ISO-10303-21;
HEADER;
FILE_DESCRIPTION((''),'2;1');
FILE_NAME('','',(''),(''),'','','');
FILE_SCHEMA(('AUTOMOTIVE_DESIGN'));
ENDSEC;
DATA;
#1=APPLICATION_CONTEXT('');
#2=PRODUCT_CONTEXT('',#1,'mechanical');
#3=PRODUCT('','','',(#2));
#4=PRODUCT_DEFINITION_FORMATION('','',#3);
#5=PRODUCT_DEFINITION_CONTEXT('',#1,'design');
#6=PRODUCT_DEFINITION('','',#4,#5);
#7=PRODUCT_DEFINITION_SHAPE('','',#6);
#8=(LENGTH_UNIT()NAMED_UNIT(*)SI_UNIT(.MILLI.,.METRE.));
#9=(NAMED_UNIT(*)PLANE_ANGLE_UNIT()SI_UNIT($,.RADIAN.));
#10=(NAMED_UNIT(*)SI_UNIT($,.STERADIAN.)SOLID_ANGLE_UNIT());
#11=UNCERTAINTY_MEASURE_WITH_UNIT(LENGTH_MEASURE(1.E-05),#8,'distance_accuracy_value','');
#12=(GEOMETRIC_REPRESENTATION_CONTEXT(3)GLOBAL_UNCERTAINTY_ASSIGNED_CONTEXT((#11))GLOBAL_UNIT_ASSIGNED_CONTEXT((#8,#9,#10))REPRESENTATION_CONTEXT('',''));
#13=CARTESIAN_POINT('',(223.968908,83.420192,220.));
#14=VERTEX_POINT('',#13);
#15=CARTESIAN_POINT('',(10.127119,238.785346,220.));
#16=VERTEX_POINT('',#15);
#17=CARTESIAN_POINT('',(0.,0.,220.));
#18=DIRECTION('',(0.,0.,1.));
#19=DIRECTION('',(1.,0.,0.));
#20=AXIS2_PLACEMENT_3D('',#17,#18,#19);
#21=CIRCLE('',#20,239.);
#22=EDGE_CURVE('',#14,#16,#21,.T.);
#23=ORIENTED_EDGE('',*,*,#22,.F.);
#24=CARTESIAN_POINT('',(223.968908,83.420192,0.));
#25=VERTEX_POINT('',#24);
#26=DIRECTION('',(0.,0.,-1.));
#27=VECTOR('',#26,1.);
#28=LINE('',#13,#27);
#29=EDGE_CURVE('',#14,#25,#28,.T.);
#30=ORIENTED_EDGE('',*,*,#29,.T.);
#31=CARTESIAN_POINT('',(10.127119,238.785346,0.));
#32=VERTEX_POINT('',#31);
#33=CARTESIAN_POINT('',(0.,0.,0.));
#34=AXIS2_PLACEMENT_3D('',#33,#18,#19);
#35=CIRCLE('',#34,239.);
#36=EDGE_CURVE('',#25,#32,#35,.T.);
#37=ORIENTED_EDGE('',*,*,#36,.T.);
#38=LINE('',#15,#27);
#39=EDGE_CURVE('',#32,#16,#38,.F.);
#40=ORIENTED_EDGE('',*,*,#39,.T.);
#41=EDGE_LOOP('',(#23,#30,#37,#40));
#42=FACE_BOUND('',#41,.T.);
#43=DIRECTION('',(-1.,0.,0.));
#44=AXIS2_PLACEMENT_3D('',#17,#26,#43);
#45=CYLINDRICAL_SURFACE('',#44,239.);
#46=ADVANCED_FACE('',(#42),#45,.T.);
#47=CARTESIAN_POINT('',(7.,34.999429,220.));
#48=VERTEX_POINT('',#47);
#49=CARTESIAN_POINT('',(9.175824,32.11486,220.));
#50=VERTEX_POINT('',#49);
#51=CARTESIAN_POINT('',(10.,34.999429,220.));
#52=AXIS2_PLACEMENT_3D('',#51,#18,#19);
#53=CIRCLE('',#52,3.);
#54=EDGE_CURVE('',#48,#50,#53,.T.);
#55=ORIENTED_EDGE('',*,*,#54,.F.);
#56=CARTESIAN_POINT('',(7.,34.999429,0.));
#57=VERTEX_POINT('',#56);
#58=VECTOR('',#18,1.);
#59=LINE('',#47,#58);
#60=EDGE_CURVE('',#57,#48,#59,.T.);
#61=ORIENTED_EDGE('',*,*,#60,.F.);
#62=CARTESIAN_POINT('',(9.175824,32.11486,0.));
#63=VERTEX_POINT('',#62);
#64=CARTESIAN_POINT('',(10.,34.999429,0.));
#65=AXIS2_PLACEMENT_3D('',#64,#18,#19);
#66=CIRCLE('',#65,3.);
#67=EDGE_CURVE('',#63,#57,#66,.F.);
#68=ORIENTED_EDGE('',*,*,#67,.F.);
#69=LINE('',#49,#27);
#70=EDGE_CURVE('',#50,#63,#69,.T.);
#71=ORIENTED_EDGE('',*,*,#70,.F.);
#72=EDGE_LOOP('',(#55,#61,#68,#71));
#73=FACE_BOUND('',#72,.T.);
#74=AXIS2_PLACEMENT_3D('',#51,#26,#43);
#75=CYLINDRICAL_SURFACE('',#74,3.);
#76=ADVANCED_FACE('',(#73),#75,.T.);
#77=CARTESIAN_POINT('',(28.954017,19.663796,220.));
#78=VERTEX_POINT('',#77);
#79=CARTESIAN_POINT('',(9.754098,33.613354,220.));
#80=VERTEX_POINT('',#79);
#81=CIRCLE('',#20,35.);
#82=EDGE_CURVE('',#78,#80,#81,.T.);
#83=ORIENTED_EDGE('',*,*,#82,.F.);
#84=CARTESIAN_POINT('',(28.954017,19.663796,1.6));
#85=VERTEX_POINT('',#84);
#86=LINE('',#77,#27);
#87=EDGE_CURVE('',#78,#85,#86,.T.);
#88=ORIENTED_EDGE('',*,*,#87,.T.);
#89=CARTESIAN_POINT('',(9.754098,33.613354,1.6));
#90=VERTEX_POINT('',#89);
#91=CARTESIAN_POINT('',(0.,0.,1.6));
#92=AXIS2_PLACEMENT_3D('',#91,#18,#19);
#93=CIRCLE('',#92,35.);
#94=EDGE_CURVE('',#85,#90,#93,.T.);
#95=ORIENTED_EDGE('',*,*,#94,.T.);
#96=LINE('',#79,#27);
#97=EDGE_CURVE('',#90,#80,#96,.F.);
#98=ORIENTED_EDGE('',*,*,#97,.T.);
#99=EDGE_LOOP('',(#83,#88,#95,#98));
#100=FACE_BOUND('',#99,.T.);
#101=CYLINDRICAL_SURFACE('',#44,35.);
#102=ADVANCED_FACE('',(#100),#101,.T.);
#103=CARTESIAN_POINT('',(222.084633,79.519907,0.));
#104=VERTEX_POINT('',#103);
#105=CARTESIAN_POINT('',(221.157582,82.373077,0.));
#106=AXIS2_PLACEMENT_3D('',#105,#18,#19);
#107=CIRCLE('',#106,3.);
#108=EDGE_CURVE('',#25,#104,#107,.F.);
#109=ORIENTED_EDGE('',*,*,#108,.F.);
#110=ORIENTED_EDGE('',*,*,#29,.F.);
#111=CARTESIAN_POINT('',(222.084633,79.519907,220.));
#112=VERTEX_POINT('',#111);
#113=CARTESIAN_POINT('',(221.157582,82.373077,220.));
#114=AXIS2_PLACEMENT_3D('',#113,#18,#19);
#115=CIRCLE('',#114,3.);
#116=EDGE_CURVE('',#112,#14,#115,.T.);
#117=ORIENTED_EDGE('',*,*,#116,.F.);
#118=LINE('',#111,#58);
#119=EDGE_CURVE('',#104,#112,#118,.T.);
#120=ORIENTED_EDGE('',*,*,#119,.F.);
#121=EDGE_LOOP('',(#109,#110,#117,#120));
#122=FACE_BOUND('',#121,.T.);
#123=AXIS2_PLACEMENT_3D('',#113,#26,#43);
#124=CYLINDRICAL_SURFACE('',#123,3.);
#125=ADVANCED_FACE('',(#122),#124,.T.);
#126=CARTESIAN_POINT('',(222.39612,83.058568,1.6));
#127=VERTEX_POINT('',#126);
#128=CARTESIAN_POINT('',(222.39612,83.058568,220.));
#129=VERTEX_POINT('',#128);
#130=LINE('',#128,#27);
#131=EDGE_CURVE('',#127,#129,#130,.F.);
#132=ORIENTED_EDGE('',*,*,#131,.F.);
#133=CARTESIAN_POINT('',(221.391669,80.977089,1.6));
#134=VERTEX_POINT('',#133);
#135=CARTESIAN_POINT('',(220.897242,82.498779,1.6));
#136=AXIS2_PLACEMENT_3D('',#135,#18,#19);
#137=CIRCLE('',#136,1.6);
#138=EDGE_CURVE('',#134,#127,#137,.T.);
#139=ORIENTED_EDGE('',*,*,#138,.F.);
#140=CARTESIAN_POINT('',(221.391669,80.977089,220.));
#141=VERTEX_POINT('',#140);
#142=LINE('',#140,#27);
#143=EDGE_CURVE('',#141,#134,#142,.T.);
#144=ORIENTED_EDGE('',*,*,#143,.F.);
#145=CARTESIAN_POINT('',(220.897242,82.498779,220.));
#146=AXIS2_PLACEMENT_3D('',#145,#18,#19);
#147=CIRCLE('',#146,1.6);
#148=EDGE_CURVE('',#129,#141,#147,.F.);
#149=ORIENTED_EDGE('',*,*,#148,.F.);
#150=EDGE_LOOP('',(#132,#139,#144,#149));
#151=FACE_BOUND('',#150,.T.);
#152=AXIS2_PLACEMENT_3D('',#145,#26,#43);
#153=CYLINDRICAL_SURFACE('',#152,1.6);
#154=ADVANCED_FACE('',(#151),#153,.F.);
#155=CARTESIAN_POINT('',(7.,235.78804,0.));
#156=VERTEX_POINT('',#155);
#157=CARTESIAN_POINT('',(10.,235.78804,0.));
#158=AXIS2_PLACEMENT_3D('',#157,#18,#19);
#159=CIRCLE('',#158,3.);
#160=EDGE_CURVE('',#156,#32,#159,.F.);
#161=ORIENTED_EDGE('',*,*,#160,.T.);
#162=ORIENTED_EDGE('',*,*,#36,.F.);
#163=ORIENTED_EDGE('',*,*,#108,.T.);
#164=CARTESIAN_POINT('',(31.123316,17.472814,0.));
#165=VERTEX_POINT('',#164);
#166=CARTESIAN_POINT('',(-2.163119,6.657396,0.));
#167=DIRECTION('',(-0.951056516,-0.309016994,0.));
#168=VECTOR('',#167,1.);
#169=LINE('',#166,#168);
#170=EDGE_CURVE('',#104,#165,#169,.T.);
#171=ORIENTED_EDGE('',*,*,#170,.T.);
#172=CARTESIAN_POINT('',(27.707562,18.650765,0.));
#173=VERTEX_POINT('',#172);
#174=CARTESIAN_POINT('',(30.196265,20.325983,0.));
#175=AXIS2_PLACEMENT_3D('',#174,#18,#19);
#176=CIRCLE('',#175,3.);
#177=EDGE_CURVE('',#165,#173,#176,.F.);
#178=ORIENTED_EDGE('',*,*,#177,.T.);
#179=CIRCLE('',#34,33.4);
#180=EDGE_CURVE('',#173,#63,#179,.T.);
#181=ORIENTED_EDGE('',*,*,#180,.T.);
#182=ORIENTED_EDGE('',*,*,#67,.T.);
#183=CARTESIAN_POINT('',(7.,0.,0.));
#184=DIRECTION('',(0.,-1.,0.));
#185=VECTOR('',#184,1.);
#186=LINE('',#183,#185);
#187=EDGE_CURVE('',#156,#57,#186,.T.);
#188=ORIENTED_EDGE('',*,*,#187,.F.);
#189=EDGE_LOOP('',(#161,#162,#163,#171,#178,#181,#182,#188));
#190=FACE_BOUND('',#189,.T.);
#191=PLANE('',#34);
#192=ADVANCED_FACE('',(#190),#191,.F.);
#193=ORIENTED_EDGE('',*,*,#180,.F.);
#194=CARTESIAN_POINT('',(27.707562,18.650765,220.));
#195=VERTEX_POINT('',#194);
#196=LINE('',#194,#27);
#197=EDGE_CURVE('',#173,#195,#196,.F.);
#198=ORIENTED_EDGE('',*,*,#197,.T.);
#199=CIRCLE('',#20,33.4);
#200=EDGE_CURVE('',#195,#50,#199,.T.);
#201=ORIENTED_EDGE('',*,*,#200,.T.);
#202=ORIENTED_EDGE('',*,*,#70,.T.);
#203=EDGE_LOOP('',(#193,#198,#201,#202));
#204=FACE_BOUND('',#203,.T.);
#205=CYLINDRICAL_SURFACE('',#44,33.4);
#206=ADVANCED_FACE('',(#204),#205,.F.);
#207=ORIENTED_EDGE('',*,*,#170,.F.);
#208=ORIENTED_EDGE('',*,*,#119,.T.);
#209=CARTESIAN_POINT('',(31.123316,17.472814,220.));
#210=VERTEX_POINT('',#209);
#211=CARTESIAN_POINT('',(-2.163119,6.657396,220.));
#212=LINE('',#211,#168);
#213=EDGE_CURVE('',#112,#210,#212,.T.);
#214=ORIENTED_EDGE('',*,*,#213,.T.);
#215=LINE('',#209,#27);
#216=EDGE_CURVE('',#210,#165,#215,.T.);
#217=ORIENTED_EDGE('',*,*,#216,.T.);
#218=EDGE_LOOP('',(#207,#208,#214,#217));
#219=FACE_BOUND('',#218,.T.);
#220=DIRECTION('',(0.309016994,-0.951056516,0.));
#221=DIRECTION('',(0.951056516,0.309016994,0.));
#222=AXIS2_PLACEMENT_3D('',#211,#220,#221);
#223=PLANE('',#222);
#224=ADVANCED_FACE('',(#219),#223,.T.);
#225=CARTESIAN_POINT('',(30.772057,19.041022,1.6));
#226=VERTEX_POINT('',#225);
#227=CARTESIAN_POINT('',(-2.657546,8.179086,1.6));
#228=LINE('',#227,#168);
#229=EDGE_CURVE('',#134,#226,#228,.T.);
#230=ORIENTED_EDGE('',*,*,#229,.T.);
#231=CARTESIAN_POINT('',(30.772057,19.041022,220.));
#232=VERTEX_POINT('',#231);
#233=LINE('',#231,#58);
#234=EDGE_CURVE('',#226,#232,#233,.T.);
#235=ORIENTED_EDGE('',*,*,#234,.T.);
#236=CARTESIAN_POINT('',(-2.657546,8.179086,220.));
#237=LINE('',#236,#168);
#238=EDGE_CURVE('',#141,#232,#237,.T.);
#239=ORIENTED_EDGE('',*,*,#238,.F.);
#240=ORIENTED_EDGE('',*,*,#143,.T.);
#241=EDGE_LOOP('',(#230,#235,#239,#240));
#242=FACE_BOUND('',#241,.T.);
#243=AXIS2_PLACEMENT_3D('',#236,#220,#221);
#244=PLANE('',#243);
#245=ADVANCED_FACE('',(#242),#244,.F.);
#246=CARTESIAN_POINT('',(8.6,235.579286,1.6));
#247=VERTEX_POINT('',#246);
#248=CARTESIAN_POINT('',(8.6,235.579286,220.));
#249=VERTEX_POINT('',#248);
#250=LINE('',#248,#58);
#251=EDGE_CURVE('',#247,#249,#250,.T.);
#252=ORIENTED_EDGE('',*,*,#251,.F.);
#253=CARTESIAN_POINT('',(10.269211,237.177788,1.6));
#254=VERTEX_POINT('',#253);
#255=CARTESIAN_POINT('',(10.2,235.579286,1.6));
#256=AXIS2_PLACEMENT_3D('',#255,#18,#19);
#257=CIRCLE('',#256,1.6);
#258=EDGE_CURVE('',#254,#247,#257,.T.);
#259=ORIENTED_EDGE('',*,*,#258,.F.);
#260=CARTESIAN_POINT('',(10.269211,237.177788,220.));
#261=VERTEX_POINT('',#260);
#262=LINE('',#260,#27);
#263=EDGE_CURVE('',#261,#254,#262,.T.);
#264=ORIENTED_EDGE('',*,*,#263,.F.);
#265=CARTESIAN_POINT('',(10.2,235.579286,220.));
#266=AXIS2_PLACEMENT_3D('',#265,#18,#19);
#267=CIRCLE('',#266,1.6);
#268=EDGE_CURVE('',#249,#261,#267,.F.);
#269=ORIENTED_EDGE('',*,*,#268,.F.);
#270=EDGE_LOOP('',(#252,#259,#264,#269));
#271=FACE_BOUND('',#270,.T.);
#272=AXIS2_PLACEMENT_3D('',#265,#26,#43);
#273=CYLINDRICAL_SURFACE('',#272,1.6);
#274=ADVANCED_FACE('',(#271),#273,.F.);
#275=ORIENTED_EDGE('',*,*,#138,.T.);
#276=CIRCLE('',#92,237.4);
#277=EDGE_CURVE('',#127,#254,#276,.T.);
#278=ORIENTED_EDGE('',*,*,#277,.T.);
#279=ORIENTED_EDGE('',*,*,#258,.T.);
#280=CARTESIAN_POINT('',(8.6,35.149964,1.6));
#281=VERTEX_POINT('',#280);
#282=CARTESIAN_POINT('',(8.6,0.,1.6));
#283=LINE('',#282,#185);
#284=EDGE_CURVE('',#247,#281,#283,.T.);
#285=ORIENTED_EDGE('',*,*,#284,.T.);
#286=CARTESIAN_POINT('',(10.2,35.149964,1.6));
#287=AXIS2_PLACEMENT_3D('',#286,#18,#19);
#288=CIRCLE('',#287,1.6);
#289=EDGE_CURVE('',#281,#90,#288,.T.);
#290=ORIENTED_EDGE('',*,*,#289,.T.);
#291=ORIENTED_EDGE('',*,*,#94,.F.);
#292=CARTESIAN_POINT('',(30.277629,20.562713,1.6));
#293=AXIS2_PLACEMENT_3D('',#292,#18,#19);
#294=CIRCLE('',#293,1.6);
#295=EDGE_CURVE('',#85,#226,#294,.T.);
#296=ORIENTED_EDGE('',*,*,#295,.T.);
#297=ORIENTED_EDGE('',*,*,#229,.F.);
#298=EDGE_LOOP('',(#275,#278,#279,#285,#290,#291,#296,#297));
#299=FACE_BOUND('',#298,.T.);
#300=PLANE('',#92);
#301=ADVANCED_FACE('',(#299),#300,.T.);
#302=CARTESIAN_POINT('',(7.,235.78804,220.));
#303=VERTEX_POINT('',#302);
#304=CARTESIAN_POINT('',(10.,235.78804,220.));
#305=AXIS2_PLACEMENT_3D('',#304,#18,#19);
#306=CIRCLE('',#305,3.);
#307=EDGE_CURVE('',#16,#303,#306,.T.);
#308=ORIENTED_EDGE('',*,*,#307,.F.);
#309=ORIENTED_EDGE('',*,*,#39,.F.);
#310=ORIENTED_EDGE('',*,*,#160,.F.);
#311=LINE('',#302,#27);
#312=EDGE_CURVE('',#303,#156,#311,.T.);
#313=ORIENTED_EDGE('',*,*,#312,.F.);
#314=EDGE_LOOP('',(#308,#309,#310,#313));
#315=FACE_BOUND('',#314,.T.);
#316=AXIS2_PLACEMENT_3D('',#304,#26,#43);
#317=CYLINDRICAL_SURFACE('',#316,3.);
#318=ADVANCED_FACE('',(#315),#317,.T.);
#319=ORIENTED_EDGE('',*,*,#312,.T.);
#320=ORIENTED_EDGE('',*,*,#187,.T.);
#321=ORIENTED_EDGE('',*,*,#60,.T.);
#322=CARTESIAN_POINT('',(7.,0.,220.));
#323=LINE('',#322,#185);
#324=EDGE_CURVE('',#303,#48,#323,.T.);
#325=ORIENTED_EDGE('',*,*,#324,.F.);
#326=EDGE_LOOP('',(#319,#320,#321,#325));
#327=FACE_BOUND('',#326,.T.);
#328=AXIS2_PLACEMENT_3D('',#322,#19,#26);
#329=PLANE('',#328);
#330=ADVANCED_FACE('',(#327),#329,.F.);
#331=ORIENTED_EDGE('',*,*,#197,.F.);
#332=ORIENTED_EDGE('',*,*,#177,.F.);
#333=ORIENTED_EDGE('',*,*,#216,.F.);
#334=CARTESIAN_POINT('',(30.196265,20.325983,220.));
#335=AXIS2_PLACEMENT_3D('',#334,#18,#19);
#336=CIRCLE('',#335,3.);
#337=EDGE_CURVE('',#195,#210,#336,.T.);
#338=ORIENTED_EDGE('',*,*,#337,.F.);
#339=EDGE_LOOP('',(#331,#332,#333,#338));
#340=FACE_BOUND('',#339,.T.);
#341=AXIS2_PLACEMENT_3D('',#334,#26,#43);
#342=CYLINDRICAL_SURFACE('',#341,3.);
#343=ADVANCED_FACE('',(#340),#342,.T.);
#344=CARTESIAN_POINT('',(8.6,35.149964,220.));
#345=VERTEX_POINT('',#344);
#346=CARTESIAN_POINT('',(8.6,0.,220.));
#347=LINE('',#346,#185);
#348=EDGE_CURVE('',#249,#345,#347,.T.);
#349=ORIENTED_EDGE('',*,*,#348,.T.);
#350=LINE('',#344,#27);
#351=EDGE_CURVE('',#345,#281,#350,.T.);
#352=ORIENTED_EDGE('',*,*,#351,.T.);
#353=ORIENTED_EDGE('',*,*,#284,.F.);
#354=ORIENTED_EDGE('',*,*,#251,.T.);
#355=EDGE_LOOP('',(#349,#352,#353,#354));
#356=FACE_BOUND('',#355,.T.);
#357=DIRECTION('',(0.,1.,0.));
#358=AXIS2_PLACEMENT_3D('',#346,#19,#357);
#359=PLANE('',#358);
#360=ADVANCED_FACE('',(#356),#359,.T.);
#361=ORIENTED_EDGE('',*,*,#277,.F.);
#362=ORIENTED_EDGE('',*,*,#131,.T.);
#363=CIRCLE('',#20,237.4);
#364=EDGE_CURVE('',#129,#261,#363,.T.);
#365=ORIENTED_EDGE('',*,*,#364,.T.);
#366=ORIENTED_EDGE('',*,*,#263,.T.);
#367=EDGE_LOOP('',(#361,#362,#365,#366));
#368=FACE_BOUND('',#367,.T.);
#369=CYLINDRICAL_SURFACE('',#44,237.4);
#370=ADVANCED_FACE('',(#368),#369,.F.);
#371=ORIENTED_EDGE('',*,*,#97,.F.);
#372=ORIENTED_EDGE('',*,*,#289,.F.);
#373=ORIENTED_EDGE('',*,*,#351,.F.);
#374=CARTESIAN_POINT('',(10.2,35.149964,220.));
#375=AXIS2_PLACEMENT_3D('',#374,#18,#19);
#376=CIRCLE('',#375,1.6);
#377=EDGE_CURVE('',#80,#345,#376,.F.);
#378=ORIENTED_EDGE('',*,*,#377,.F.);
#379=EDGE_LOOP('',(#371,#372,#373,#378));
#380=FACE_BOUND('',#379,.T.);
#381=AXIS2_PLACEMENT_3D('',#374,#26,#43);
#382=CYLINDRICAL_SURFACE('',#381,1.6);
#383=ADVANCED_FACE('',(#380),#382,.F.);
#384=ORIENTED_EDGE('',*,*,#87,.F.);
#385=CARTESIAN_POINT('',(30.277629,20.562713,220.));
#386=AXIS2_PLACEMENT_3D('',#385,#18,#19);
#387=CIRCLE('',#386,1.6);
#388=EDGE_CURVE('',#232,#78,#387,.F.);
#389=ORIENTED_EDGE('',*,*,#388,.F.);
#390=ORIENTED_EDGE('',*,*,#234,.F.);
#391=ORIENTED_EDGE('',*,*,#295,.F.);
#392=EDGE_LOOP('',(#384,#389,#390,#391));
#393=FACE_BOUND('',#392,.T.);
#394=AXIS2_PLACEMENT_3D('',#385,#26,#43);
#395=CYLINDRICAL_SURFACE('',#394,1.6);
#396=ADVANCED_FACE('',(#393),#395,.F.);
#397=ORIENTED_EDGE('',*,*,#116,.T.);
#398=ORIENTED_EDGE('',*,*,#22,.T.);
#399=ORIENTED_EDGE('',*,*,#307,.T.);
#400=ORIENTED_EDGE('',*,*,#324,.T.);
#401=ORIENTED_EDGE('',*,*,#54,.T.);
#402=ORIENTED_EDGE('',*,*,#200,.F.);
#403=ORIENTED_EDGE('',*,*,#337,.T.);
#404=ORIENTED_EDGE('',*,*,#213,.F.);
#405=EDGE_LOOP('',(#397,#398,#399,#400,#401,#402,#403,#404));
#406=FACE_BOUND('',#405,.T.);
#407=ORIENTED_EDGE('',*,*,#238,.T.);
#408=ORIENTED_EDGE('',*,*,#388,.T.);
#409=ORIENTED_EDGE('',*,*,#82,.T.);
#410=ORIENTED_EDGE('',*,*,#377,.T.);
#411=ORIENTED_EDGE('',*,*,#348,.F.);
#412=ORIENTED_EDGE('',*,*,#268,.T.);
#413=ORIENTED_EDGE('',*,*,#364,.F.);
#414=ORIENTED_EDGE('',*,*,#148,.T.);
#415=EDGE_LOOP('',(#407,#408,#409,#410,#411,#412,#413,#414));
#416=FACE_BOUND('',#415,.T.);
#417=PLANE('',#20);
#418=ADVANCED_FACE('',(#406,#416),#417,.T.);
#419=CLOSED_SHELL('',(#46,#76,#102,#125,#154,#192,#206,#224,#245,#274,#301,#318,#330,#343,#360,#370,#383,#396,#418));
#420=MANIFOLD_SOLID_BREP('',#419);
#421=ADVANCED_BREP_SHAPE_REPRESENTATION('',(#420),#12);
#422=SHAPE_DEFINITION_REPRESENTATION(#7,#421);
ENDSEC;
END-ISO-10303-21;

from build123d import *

# Parameters (mm, degrees)
EXTRUDE_1_DEPTH = 220
EXTRUDE_2_DEPTH = 1.6
FILLET_1_R      = 1.6
FILLET_2_R      = 3


with BuildPart() as part:
    # 스케치1 → 보스-돌출1 (new body)
    with BuildSketch(Plane.XY):
        with BuildLine():
            Line((7, 238.897467546), (7, 32.658230203))
            ThreePointArc((7, 32.658230203), (19.632027427, 27.021167612), (28.896703685, 16.749343753))
            Line((28.896703685, 16.749343753), (225.041874276, 80.480772999))
            ThreePointArc((225.041874276, 80.480772999), (140.480675298, 193.355061656), (7, 238.897467546))
        make_face()
        with BuildLine():
            ThreePointArc((8.6, 237.244178011), (139.540218894, 192.060634465), (222.975075299, 81.491568862))
            Line((222.975075299, 81.491568862), (29.608929649, 18.663099556))
            ThreePointArc((29.608929649, 18.663099556), (20.57248383, 28.315594803), (8.6, 33.926980414))
            Line((8.6, 33.926980414), (8.6, 237.244178011))
        make_face(mode=Mode.SUBTRACT)
    extrude(amount=EXTRUDE_1_DEPTH)

    # 스케치1<3> → 보스-돌출2 (add)
    with BuildSketch(Plane.XY):
        with BuildLine():
            ThreePointArc((222.975075299, 81.491568862), (139.540218894, 192.060634465), (8.6, 237.244178011))
            Line((8.6, 237.244178011), (8.6, 33.926980414))
            ThreePointArc((8.6, 33.926980414), (20.57248383, 28.315594803), (29.608929649, 18.663099556))
            Line((29.608929649, 18.663099556), (222.975075299, 81.491568862))
        make_face()
    extrude(amount=EXTRUDE_2_DEPTH)

    # 필렛1
    fillet_1_edges = [part.edges().sort_by_distance(p)[0] for p in [
        (29.608929649, 18.663099556, 110.8),
        (8.6, 33.926980414, 110.8),
        (8.6, 237.244178011, 110.8),
        (222.975075299, 81.491568862, 110.8),
    ]]
    fillet(fillet_1_edges, radius=FILLET_1_R)

    # 필렛2
    fillet_2_edges = [part.edges().sort_by_distance(p)[0] for p in [
        (28.896703685, 16.749343753, 110),
        (7, 32.658230203, 110),
        (225.041874276, 80.480772999, 110),
        (7, 238.897467546, 110),
    ]]
    fillet(fillet_2_edges, radius=FILLET_2_R)


solid = part.part
